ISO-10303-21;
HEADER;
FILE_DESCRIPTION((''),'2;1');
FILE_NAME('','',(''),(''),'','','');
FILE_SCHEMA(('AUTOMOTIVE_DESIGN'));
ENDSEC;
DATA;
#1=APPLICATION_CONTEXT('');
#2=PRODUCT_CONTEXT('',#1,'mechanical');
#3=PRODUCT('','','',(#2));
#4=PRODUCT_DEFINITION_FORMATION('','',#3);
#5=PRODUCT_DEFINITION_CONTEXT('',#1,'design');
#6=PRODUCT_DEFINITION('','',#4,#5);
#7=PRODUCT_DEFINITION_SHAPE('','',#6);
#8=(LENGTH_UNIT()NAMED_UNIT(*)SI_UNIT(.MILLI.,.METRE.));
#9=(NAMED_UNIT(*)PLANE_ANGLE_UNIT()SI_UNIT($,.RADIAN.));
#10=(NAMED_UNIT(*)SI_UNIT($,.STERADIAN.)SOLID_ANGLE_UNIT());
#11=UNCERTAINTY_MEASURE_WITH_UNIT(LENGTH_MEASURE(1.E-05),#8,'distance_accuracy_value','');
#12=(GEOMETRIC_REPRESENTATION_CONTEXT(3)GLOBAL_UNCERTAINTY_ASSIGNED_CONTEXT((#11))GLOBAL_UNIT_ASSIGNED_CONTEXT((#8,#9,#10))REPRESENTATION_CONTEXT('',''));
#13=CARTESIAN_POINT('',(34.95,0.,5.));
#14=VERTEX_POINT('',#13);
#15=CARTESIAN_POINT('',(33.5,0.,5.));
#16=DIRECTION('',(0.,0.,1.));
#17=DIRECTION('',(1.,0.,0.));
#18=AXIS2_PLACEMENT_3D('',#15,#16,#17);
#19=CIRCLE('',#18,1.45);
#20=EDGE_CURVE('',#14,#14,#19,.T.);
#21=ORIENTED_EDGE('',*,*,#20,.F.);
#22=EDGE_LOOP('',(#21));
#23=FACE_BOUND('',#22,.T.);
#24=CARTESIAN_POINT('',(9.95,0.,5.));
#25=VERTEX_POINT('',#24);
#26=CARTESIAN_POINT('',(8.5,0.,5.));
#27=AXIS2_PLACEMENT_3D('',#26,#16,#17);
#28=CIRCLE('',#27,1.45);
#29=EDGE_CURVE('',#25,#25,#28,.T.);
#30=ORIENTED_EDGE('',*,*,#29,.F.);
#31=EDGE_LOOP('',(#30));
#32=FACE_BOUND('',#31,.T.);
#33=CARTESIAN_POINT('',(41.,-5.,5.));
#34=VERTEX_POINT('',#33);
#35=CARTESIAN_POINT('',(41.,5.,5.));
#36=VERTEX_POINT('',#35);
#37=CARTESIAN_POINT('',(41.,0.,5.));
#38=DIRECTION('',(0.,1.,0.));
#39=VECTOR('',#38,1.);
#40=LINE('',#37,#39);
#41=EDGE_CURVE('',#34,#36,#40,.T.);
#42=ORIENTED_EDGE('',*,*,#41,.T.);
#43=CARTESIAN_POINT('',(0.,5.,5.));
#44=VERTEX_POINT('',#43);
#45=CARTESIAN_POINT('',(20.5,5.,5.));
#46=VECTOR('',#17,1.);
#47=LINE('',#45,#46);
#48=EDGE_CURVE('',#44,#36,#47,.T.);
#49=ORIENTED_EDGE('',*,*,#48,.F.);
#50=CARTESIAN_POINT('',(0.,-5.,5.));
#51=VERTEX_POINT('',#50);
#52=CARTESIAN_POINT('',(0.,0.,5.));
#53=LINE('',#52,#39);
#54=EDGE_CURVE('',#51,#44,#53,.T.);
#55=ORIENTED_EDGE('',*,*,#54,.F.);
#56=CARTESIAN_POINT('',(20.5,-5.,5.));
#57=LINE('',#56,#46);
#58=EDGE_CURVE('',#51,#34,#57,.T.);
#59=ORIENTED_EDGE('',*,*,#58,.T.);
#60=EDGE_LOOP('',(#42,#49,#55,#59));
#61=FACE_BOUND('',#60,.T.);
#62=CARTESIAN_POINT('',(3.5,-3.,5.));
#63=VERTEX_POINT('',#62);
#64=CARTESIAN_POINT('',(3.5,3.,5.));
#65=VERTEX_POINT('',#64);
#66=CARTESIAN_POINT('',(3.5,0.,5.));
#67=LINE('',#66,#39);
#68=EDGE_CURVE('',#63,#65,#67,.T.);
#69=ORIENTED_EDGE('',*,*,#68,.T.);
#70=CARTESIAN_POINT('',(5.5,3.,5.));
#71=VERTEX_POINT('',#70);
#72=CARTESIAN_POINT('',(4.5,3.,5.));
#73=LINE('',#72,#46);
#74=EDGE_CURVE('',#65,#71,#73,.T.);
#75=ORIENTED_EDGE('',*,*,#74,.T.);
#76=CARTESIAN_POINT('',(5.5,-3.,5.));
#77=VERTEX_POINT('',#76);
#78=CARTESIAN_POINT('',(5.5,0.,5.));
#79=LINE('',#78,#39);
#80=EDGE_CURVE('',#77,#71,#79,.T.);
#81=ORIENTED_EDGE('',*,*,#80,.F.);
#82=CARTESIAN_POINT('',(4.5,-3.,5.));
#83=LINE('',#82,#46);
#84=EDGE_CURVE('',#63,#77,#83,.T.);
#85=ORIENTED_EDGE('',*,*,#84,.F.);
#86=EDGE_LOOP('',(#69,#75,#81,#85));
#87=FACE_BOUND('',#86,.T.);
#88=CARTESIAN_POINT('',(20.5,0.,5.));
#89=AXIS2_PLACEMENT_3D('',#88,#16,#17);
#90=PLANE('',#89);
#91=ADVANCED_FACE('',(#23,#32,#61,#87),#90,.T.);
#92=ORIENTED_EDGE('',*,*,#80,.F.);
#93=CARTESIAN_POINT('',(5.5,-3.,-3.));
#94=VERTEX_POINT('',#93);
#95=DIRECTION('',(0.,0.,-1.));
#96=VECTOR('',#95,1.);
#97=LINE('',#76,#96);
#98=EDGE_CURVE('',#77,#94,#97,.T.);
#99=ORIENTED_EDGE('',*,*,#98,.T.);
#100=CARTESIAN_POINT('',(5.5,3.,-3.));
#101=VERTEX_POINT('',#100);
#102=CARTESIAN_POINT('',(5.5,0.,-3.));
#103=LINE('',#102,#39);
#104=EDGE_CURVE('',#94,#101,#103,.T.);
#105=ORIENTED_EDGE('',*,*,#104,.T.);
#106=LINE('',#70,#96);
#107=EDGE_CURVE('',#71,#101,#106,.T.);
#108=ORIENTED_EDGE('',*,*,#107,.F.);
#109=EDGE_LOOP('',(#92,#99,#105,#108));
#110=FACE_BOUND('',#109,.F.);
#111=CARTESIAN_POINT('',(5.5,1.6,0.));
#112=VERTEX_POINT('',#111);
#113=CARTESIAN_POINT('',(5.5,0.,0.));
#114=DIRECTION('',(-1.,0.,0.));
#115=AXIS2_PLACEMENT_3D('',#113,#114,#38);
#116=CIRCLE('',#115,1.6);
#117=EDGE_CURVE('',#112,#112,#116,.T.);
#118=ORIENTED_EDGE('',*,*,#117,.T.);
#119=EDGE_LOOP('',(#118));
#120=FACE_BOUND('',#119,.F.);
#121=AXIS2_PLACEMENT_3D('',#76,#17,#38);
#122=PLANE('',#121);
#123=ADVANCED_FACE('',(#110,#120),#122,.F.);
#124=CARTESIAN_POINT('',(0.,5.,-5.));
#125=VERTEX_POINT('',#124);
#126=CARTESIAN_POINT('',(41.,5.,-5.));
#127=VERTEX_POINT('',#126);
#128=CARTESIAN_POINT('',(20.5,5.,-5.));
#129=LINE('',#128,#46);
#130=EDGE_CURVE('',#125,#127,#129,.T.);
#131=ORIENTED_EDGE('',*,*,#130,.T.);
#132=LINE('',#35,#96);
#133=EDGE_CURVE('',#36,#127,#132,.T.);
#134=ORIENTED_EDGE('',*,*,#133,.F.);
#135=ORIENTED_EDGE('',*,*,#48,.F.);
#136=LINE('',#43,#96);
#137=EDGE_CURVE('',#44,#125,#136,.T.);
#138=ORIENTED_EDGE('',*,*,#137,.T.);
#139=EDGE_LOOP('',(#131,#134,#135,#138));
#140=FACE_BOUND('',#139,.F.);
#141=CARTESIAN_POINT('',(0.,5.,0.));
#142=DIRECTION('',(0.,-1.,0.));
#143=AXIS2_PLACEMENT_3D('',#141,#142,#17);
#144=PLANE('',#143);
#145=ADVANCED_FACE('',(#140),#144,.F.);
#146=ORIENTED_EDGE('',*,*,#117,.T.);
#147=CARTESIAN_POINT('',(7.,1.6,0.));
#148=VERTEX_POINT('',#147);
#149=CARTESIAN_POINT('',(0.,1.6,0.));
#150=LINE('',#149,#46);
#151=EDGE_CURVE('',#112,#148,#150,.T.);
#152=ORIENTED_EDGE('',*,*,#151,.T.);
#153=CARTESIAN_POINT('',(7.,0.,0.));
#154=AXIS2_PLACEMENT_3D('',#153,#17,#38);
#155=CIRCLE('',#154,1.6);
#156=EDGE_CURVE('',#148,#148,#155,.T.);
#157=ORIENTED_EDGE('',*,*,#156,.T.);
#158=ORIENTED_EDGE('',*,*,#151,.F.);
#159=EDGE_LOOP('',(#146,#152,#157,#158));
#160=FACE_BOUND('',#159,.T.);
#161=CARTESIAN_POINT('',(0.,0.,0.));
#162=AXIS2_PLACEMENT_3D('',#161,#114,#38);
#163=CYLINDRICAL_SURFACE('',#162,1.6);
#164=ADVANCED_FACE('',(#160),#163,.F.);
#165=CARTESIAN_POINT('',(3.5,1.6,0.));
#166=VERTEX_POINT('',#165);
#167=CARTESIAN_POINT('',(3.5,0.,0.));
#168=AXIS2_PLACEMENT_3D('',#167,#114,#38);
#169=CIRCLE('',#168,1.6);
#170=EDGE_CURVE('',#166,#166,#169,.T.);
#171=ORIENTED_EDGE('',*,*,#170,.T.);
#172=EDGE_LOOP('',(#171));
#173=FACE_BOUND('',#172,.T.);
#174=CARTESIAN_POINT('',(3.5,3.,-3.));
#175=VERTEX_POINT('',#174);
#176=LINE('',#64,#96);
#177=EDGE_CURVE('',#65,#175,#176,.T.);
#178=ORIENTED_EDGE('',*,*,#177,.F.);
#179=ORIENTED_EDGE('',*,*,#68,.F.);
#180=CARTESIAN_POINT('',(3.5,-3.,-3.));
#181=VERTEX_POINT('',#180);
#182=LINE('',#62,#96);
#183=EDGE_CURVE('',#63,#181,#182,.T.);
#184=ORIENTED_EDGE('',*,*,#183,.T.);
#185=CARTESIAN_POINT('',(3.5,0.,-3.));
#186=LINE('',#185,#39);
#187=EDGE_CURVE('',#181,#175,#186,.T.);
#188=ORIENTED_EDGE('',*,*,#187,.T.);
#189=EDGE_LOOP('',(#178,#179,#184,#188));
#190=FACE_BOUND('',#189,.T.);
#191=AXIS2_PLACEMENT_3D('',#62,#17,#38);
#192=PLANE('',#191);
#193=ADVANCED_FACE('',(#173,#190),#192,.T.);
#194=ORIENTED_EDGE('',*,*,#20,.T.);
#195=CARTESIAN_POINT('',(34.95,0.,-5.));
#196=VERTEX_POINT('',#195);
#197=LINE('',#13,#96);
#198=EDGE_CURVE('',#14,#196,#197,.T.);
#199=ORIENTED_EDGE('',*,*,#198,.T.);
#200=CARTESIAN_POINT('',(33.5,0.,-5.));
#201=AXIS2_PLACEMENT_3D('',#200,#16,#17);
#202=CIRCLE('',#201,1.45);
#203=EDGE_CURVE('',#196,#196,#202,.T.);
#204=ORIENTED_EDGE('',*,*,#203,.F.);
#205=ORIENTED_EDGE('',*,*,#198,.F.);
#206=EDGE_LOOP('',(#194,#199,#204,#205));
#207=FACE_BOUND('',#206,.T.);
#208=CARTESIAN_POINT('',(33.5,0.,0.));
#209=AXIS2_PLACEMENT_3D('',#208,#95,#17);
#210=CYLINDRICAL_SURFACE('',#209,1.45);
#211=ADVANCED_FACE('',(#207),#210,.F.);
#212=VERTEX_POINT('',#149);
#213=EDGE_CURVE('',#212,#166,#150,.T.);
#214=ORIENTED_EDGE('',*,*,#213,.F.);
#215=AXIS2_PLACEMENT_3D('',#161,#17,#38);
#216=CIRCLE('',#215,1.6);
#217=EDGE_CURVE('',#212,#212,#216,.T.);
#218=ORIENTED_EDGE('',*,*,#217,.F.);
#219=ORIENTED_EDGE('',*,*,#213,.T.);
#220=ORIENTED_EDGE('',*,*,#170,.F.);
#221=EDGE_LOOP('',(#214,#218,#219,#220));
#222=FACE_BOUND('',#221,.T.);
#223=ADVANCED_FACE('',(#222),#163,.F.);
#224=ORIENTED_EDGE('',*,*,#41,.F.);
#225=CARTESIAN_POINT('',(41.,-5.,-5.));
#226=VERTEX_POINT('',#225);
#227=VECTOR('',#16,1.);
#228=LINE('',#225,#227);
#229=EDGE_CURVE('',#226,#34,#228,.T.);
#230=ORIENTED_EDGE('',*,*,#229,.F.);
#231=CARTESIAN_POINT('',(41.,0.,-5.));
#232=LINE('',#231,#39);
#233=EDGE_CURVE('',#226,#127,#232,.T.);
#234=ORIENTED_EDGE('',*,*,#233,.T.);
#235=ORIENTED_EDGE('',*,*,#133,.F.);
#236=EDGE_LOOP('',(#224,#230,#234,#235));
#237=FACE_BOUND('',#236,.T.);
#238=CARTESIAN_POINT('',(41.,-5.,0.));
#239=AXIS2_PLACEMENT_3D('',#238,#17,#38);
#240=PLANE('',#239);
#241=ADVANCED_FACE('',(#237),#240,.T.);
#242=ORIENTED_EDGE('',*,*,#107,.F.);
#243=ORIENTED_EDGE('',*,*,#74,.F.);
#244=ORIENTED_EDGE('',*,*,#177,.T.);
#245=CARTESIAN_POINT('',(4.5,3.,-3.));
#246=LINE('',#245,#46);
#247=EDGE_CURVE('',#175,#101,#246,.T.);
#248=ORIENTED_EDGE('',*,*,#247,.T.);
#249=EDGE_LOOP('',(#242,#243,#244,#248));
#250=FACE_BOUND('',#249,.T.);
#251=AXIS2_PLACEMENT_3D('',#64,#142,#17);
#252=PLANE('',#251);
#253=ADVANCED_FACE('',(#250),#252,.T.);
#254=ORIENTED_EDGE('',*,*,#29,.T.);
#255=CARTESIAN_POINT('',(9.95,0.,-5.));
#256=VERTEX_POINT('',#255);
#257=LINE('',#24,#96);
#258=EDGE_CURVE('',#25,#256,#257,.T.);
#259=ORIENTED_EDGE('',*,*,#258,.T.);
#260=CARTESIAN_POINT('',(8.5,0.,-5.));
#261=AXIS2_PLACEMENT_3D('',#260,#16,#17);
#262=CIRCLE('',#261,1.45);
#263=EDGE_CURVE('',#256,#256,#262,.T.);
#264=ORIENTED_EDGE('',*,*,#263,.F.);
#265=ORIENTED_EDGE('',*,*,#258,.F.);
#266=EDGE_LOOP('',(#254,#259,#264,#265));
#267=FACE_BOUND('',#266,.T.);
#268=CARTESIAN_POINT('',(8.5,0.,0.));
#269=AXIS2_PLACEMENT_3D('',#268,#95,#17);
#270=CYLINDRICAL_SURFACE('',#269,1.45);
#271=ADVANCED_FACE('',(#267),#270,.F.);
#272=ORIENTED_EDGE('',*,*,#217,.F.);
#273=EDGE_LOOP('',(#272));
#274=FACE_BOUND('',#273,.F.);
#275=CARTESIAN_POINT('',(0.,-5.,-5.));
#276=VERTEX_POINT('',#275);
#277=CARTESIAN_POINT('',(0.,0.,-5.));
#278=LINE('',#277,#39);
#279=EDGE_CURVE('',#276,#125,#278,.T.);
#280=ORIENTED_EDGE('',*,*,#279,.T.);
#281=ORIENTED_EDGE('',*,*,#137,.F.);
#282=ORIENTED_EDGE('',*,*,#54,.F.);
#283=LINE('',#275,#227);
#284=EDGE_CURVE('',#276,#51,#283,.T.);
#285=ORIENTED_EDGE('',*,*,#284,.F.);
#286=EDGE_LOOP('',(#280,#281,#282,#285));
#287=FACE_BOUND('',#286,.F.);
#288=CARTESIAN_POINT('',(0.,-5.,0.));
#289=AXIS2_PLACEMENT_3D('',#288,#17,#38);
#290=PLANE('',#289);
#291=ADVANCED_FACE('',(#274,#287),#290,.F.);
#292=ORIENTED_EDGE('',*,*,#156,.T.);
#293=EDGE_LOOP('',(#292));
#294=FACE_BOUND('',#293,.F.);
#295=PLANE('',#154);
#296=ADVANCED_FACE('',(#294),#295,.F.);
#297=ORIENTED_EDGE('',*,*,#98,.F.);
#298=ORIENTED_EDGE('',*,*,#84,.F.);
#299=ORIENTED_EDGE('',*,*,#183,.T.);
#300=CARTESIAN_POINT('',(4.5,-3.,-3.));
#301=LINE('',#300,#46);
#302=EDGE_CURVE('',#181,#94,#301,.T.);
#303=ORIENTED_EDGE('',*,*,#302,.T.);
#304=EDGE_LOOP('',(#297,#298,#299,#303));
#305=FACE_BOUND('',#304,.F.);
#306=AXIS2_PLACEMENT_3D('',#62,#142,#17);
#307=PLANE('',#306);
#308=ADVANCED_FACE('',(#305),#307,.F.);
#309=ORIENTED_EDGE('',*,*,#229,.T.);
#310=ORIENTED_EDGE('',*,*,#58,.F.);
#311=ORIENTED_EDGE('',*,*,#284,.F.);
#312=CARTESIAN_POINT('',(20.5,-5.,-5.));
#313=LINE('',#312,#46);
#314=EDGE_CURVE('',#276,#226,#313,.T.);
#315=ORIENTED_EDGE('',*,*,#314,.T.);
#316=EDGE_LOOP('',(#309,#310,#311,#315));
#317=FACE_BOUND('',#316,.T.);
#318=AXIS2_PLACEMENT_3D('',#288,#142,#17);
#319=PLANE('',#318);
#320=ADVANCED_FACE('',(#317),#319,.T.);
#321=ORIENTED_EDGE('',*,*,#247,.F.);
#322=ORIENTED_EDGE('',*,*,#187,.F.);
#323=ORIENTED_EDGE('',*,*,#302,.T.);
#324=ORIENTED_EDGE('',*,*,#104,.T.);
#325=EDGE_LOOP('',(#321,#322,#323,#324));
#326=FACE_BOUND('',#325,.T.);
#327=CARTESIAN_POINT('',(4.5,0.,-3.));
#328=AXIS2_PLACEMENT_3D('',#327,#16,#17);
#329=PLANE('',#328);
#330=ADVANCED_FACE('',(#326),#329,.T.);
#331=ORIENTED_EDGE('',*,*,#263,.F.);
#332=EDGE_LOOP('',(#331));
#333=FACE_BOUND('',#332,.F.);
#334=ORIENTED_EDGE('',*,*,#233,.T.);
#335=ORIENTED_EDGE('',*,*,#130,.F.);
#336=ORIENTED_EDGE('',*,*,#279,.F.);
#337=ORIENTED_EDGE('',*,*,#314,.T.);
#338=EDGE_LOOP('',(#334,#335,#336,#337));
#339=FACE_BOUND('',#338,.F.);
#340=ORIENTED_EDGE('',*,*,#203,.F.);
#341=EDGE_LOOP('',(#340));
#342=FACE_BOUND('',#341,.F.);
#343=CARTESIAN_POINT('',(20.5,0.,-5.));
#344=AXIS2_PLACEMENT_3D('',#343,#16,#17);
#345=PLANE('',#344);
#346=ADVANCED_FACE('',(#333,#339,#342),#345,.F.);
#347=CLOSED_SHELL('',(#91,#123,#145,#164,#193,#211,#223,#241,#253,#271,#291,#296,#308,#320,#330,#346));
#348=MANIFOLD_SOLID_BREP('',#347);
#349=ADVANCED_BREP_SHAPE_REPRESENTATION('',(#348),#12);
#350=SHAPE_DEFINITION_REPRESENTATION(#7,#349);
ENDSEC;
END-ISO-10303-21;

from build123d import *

# Parameters (mm, degrees)
SKETCH013_W     = 41
SKETCH013_H     = 10
SKETCH013_R     = 1.45
PAD009_DEPTH    = 5
SKETCH014_R     = 1.6
POCKET002_DEPTH = 7
SKETCH015_W     = 2
SKETCH015_H     = 6
POCKET003_DEPTH = 8


with BuildPart() as part:
    # Sketch013 → Pad009 (new body, symmetric)
    with BuildSketch(Plane.XY):
        with Locations((20.5, 0)):
            Rectangle(SKETCH013_W, SKETCH013_H)
        with Locations((33.5, 0)):
            Circle(SKETCH013_R, mode=Mode.SUBTRACT)
        with Locations((8.5, 0)):
            Circle(SKETCH013_R, mode=Mode.SUBTRACT)
    extrude(amount=PAD009_DEPTH, both=True)

    # Sketch014 → Pocket002 (cut)
    with BuildSketch(Plane.YZ):
        Circle(SKETCH014_R)
    extrude(amount=POCKET002_DEPTH, mode=Mode.SUBTRACT)

    # Sketch015 → Pocket003 (cut)
    with BuildSketch(Plane.XY.offset(5)):
        with Locations((4.5, 0)):
            Rectangle(SKETCH015_W, SKETCH015_H)
    extrude(amount=-POCKET003_DEPTH, mode=Mode.SUBTRACT)


solid = part.part
